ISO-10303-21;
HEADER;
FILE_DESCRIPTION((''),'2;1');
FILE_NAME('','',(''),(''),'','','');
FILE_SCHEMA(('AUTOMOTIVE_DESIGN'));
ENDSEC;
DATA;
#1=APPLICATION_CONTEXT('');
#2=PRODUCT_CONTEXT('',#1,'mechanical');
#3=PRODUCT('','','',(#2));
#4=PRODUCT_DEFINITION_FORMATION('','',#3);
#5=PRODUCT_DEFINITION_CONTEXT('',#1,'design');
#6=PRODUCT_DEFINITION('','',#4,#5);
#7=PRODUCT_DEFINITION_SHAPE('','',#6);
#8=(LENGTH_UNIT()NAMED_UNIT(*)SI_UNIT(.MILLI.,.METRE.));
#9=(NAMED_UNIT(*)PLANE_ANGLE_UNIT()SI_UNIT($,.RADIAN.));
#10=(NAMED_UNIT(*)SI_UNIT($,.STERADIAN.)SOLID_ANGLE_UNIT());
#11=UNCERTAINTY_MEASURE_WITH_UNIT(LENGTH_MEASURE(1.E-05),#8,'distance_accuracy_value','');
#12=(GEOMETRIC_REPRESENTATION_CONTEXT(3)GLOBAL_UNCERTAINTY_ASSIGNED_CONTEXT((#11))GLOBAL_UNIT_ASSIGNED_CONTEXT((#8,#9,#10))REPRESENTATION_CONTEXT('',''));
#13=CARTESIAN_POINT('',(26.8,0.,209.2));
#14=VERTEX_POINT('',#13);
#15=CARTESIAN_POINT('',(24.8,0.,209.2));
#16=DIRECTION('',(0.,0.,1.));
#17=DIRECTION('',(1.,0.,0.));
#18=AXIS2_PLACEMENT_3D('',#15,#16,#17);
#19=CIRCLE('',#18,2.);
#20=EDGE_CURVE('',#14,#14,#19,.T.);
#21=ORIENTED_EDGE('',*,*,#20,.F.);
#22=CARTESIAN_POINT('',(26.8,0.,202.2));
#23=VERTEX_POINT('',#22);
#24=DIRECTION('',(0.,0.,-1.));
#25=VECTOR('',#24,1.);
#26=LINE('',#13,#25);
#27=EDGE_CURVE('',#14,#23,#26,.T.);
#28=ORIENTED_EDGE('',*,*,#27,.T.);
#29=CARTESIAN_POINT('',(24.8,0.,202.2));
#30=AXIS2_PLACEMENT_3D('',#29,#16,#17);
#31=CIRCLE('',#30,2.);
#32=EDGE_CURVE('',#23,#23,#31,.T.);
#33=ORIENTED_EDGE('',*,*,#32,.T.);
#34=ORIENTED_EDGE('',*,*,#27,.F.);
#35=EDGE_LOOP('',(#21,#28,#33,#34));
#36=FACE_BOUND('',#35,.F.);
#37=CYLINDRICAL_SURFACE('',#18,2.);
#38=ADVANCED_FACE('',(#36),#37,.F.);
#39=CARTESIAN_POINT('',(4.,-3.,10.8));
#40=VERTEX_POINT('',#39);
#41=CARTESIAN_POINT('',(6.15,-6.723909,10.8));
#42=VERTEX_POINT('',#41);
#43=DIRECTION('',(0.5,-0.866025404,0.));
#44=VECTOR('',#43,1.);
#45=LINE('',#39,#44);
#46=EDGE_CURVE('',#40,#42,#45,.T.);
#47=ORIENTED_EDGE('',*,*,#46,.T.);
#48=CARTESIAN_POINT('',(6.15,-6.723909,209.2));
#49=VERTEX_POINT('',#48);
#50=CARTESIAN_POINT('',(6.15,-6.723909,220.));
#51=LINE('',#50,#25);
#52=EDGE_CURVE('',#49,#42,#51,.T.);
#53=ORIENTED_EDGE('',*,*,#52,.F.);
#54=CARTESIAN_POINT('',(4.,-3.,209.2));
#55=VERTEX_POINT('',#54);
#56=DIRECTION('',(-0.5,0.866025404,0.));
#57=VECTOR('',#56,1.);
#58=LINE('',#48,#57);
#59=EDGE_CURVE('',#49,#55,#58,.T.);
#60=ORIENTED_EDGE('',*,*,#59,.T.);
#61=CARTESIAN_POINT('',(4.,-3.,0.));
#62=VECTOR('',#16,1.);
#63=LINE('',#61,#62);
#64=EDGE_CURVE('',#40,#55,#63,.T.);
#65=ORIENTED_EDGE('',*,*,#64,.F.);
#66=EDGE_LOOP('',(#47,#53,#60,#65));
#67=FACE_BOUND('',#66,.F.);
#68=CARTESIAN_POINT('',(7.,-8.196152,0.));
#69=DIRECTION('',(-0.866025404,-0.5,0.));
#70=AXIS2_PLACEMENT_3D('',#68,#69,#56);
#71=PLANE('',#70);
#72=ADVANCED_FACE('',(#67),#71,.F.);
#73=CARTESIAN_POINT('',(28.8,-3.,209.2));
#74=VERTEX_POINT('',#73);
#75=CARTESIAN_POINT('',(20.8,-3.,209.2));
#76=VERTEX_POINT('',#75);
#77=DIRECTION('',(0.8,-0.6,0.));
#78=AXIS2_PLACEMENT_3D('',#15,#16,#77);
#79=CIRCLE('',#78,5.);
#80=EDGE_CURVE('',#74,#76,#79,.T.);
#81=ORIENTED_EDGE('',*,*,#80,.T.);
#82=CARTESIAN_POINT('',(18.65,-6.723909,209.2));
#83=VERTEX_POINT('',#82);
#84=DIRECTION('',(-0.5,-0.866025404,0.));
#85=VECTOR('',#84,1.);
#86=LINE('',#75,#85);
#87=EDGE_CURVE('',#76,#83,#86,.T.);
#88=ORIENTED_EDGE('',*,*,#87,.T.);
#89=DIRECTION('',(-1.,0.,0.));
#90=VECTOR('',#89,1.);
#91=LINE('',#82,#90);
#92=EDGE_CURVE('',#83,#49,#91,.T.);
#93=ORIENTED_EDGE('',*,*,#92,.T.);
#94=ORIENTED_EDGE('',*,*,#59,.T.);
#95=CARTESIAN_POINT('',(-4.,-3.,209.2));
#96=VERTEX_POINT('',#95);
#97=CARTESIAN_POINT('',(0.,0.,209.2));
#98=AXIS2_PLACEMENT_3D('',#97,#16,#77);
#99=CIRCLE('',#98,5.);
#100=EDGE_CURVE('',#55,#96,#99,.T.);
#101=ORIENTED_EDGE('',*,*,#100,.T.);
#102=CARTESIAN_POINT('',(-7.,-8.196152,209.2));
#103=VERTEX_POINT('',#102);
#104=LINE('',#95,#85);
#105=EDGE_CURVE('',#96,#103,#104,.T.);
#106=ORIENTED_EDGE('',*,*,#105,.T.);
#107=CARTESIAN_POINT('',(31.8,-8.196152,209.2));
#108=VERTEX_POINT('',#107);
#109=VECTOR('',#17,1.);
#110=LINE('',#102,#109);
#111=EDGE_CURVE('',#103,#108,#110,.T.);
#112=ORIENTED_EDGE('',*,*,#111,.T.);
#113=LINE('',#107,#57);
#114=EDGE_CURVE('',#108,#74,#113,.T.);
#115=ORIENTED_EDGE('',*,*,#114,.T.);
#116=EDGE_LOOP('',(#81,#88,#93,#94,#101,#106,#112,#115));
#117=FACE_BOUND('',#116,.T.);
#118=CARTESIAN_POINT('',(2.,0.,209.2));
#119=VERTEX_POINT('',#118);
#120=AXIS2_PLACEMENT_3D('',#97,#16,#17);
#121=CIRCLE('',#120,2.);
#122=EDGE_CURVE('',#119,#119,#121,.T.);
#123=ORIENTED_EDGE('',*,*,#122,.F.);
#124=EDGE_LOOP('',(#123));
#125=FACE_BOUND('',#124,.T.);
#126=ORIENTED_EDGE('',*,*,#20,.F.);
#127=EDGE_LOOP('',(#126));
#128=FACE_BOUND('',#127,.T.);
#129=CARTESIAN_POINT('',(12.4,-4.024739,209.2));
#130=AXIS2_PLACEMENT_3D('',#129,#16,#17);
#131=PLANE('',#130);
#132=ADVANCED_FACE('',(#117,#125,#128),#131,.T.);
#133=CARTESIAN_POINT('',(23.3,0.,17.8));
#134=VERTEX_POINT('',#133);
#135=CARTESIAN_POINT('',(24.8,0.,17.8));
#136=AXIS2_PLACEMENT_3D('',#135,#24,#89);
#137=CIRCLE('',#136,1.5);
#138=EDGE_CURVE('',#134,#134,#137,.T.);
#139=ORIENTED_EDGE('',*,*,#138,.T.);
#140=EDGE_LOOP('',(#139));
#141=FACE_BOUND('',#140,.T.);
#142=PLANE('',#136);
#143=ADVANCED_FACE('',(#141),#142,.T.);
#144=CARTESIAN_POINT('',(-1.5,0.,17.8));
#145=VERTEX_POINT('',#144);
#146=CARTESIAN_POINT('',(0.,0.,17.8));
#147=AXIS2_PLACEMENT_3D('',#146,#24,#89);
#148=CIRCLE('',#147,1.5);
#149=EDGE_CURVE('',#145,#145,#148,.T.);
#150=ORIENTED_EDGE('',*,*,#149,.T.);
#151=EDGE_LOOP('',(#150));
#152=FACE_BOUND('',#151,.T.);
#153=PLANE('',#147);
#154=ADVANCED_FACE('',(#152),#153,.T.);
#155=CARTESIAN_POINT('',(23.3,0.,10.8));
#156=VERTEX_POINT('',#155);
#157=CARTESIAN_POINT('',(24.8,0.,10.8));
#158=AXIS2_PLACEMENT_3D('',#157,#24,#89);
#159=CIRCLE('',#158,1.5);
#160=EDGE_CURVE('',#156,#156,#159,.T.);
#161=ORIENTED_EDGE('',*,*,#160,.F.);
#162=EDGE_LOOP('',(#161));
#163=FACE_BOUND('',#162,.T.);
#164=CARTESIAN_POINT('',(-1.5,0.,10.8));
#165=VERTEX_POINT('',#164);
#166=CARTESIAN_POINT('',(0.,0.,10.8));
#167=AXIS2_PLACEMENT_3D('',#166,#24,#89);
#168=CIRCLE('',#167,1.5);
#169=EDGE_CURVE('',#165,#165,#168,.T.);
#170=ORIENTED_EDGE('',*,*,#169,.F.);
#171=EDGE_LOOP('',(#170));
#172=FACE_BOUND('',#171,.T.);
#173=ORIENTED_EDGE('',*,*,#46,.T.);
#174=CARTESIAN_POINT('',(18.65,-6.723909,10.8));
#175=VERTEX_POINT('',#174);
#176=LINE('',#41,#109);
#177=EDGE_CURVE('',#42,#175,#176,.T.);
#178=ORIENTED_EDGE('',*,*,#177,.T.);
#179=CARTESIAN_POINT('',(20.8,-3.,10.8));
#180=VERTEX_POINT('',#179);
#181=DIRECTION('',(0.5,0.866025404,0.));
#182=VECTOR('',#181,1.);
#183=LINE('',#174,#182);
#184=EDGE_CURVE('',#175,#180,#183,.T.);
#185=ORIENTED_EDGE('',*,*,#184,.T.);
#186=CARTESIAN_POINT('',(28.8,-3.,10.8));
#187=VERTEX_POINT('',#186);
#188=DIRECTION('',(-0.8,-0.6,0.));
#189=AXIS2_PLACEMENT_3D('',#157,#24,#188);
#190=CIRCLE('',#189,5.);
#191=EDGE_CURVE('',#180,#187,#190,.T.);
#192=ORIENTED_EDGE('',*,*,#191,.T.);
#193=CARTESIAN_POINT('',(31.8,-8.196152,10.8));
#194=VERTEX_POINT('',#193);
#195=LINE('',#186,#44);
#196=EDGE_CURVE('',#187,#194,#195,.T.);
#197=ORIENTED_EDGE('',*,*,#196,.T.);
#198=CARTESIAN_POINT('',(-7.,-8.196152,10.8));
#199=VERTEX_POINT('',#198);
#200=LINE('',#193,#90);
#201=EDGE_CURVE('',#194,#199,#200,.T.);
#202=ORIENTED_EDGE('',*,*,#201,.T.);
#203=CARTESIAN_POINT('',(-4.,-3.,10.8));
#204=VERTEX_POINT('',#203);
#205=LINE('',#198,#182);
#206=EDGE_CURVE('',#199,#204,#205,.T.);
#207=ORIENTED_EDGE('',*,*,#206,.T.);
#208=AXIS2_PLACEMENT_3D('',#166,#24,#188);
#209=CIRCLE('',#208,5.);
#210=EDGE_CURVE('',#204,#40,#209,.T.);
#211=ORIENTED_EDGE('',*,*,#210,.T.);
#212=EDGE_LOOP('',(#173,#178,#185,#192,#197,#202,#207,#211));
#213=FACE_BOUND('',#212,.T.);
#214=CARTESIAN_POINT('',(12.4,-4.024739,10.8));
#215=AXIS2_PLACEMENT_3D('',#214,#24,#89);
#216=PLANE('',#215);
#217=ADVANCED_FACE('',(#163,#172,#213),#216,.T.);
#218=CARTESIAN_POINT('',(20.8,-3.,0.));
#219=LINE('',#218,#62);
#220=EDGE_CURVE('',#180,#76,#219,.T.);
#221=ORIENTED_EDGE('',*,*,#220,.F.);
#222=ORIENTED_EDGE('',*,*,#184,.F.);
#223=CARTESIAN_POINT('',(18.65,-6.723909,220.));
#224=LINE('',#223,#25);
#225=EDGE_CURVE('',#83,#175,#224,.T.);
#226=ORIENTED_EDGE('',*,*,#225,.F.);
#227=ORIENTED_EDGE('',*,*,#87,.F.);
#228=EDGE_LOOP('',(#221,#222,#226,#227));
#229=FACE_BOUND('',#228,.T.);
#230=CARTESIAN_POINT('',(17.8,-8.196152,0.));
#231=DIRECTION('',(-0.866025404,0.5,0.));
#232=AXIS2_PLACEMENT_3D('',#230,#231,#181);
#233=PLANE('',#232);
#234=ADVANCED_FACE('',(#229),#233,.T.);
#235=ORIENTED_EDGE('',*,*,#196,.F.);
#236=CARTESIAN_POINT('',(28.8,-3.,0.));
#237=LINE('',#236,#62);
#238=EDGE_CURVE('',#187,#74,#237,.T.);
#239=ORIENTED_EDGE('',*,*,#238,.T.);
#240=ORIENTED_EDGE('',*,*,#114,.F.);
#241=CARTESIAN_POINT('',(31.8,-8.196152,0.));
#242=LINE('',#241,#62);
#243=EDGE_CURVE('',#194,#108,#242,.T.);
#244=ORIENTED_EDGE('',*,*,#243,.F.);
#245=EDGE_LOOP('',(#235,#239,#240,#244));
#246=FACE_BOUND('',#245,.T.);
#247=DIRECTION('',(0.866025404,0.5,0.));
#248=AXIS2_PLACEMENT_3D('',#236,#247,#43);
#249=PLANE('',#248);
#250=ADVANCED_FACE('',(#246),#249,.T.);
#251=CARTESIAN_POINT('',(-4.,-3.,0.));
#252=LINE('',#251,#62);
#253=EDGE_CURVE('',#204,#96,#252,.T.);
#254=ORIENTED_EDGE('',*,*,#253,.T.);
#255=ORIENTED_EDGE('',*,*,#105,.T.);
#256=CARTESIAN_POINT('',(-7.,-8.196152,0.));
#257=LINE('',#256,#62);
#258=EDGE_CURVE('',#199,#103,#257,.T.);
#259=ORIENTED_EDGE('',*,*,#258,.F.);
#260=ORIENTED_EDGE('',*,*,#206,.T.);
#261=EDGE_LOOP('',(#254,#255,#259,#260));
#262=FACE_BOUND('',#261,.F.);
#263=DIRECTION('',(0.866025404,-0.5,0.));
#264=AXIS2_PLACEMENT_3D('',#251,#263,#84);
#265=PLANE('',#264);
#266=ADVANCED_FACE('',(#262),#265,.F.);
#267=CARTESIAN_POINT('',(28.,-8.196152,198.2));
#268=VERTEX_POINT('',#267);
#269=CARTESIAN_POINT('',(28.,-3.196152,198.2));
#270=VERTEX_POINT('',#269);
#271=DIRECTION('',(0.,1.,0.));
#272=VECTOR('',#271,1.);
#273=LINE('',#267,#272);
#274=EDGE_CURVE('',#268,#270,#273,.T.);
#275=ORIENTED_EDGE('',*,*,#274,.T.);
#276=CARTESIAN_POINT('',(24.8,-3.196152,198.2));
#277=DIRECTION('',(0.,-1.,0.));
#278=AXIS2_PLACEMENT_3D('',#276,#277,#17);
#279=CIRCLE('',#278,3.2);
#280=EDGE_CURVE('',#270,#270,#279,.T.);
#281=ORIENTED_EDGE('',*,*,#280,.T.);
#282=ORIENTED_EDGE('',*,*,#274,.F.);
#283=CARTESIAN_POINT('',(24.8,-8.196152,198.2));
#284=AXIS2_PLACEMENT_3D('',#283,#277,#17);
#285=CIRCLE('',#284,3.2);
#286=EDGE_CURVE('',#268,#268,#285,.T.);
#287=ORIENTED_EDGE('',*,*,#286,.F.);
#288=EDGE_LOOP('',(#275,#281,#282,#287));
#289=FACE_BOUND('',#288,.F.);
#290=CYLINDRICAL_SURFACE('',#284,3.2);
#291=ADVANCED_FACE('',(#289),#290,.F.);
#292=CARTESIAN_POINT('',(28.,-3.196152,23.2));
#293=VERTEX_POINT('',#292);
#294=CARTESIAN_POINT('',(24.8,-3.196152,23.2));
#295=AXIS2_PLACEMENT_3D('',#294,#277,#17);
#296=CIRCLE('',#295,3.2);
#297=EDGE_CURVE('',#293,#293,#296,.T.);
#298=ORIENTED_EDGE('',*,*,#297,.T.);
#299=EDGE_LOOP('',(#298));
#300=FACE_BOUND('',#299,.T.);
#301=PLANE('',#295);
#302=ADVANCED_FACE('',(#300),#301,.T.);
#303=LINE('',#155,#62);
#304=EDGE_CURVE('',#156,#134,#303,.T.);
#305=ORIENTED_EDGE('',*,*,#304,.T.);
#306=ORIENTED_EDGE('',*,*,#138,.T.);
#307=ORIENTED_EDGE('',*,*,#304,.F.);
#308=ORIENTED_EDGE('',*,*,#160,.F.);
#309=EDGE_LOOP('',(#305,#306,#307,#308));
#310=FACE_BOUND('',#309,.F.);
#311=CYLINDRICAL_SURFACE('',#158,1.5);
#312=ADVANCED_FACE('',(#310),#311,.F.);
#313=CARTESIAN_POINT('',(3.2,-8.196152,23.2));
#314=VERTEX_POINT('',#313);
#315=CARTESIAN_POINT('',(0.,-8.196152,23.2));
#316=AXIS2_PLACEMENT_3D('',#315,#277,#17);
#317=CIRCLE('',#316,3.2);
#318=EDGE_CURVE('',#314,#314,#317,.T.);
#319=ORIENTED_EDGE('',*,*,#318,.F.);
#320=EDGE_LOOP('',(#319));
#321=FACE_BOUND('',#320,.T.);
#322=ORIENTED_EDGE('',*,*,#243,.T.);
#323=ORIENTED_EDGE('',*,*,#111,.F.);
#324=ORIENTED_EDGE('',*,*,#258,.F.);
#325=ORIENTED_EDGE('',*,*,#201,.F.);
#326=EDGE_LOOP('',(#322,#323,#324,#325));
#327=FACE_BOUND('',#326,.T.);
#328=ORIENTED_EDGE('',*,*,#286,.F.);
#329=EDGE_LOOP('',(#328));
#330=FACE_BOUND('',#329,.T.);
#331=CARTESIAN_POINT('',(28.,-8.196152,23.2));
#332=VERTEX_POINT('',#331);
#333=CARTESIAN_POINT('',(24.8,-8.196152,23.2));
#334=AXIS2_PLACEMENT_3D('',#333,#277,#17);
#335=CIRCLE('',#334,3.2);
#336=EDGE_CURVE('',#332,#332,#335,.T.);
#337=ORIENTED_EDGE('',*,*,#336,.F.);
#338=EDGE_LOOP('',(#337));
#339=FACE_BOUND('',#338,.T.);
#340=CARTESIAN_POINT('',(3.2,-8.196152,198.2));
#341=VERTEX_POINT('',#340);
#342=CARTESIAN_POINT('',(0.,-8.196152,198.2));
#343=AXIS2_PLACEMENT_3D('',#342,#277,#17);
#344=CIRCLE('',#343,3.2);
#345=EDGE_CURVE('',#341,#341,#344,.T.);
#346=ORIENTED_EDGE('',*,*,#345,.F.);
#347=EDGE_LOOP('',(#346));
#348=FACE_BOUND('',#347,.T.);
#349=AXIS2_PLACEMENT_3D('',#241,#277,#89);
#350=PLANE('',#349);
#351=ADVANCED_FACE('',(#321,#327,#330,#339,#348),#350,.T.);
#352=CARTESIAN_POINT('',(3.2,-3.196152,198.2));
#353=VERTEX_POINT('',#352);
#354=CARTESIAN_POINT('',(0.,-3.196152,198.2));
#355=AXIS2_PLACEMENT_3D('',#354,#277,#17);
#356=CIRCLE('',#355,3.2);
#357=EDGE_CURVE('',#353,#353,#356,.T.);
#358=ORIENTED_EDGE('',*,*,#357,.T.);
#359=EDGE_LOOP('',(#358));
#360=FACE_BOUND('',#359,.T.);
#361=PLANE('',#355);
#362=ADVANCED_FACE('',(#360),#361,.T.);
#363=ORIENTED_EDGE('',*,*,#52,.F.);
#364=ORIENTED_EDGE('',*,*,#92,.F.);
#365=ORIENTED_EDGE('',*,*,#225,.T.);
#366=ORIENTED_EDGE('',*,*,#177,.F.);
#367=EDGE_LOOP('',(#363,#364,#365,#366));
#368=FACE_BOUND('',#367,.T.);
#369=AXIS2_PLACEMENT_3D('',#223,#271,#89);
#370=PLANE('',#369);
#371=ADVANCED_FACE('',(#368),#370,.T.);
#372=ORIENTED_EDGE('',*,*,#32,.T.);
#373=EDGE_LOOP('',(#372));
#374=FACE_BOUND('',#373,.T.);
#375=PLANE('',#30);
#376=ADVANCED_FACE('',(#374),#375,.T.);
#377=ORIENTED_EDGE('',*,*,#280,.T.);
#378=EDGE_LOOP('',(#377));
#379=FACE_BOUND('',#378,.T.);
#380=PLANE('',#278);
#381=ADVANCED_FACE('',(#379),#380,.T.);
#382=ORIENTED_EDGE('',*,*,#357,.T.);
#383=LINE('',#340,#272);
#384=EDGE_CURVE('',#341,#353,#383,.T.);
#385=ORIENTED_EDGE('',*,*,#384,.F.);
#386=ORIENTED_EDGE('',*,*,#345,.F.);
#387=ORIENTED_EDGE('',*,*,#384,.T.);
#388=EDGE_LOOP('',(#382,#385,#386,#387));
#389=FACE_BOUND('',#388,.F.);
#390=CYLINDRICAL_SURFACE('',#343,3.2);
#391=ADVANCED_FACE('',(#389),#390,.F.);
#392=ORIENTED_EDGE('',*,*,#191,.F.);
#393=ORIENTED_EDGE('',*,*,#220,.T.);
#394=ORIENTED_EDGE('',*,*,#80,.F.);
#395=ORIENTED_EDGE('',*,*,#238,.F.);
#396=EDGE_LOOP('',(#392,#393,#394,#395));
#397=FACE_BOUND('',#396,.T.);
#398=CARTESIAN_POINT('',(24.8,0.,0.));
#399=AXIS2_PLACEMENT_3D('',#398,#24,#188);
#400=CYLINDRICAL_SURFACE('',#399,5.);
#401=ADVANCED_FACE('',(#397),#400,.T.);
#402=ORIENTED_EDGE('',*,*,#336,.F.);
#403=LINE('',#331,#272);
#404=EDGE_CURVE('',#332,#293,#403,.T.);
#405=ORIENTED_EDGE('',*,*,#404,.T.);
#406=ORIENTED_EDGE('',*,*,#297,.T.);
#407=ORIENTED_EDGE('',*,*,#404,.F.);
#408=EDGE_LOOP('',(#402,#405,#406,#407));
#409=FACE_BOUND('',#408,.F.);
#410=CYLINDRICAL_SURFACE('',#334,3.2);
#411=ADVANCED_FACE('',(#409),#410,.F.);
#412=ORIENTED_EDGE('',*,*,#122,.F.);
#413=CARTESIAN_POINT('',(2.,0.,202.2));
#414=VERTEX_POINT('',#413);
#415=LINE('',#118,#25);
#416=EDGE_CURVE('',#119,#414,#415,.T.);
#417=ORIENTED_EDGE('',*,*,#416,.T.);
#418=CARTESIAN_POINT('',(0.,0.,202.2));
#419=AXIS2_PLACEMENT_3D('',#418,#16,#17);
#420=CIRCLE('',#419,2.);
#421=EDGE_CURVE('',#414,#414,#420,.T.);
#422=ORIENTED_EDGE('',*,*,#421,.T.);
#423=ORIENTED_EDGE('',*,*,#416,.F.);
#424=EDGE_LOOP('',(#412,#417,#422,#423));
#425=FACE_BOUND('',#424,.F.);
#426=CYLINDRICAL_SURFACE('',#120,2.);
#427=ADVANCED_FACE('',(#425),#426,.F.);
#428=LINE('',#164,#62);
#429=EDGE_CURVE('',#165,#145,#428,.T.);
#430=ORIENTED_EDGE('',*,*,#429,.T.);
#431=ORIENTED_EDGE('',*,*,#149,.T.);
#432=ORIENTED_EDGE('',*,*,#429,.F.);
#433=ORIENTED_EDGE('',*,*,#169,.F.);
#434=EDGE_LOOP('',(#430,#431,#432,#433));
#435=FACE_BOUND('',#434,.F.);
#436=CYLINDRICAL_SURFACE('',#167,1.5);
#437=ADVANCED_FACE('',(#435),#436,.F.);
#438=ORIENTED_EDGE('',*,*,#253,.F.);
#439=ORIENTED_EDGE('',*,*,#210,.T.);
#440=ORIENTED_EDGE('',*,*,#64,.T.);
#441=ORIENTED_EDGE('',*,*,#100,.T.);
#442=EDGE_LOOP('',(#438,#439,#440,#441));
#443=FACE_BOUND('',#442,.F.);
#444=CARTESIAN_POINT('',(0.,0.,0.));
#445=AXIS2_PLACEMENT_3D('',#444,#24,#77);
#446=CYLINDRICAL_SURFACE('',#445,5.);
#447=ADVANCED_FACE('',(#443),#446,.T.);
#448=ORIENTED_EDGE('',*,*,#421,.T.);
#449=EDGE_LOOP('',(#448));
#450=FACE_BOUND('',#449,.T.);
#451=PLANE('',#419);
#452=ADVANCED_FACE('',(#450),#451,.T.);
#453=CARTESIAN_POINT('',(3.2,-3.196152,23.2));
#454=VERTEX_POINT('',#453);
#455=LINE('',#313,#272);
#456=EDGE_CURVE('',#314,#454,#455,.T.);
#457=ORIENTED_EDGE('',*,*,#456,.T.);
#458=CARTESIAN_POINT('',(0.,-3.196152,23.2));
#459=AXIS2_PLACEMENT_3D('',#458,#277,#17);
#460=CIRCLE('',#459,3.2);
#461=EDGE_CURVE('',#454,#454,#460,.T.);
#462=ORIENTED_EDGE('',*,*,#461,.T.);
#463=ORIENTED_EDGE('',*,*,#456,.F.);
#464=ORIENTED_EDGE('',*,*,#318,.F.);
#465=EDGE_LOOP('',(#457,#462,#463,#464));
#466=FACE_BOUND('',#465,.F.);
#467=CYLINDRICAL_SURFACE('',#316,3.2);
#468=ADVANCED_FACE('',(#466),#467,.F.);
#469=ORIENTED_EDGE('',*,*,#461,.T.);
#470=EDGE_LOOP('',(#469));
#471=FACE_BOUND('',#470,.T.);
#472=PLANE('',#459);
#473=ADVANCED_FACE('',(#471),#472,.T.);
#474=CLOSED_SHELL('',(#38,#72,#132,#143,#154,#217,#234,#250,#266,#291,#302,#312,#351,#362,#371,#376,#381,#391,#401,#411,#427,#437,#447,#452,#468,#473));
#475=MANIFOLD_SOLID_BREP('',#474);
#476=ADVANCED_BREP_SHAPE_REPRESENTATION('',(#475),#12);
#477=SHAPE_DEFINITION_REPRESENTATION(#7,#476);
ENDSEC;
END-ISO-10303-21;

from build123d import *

# Parameters (mm, degrees)
SKETCH1_R           = 5
BOSS_EXTRUDE1_DEPTH = 220
BOSS_EXTRUDE4_DEPTH = 220
SKETCH5_R           = 1.37
CUT_EXTRUDE1_DEPTH  = 7
SKETCH6_R           = 1.37
CUT_EXTRUDE2_DEPTH  = 7
CUT_EXTRUDE4_DEPTH  = 10.8
CUT_EXTRUDE5_DEPTH  = 10.8
SKETCH11_R          = 2
CUT_EXTRUDE6_DEPTH  = 7
SKETCH12_R          = 1.5
CUT_EXTRUDE7_DEPTH  = 7
SKETCH4_R           = 3.2
CUT_EXTRUDE9_DEPTH  = 5


with BuildPart() as part:
    # Sketch1 → Boss-Extrude1 (new body)
    with BuildSketch(Plane.XY):
        Circle(SKETCH1_R)
        with BuildLine():
            Line((-4, -3), (-7, -8.196152423))
            Line((-7, -8.196152423), (7, -8.196152423))
            Line((7, -8.196152423), (4, -3))
            ThreePointArc((4, -3), (0, 5), (-4, -3))
        make_face()
        with BuildLine():
            Line((28.8, -3), (31.8, -8.196152423))
            Line((31.8, -8.196152423), (17.8, -8.196152423))
            Line((17.8, -8.196152423), (20.8, -3))
            ThreePointArc((20.8, -3), (24.8, 5), (28.8, -3))
        make_face()
    extrude(amount=BOSS_EXTRUDE1_DEPTH)

    # Sketch3 → Boss-Extrude4 (add)
    with BuildSketch(Plane.XY.offset(220)):
        Polygon((7, -8.196152423), (17.8, -8.196152423), (18.65, -8.196152423), (18.65, -6.723909236), (6.15, -6.723909236), (6.15, -8.196152423), align=None)
    extrude(amount=-BOSS_EXTRUDE4_DEPTH)

    # Sketch5 → Cut-Extrude1 (cut)
    with BuildSketch(Plane(origin=(0, 0, 0), x_dir=(-1, 0, 0), z_dir=(0, 0, -1))):
        Circle(SKETCH5_R)
        with Locations((-24.8, 0)):
            Circle(SKETCH5_R)
    extrude(amount=-CUT_EXTRUDE1_DEPTH, mode=Mode.SUBTRACT)

    # Sketch6 → Cut-Extrude2 (cut)
    with BuildSketch(Plane.XY.offset(220)):
        Circle(SKETCH6_R)
        with Locations((24.8, 0)):
            Circle(SKETCH6_R)
    extrude(amount=-CUT_EXTRUDE2_DEPTH, mode=Mode.SUBTRACT)

    # Sketch9 → Cut-Extrude4 (cut)
    with BuildSketch(Plane(origin=(0, 0, 0), x_dir=(-1, 0, 0), z_dir=(0, 0, -1))):
        with BuildLine():
            Line((-28.8, -3), (-31.8, -8.196152423))
            Line((-31.8, -8.196152423), (7, -8.196152423))
            Line((7, -8.196152423), (4, -3))
            ThreePointArc((4, -3), (0, 5), (-4, -3))
            Line((-4, -3), (-6.15, -6.723909236))
            Line((-6.15, -6.723909236), (-18.65, -6.723909236))
            Line((-18.65, -6.723909236), (-20.8, -3))
            ThreePointArc((-20.8, -3), (-24.8, 5), (-28.8, -3))
        make_face()
    extrude(amount=-CUT_EXTRUDE4_DEPTH, mode=Mode.SUBTRACT)

    # Sketch10 → Cut-Extrude5 (cut)
    with BuildSketch(Plane.XY.offset(220)):
        with BuildLine():
            Line((20.8, -3), (18.65, -6.723909236))
            Line((18.65, -6.723909236), (6.15, -6.723909236))
            Line((6.15, -6.723909236), (4, -3))
            ThreePointArc((4, -3), (0, 5), (-4, -3))
            Line((-4, -3), (-7, -8.196152423))
            Line((-7, -8.196152423), (31.8, -8.196152423))
            Line((31.8, -8.196152423), (28.8, -3))
            ThreePointArc((28.8, -3), (24.8, 5), (20.8, -3))
        make_face()
    extrude(amount=-CUT_EXTRUDE5_DEPTH, mode=Mode.SUBTRACT)

    # Sketch11 → Cut-Extrude6 (cut)
    with BuildSketch(Plane.XY.offset(209.2)):
        Circle(SKETCH11_R)
        with Locations((24.8, 0)):
            Circle(SKETCH11_R)
    extrude(amount=-CUT_EXTRUDE6_DEPTH, mode=Mode.SUBTRACT)

    # Sketch12 → Cut-Extrude7 (cut)
    with BuildSketch(Plane(origin=(0, 0, 10.8), x_dir=(-1, 0, 0), z_dir=(0, 0, -1))):
        Circle(SKETCH12_R)
        with Locations((-24.8, 0)):
            Circle(SKETCH12_R)
    extrude(amount=-CUT_EXTRUDE7_DEPTH, mode=Mode.SUBTRACT)

    # Sketch4 → Cut-Extrude9 (cut)
    with BuildSketch(Plane.XZ.offset(8.196152423)):
        with Locations((0, 23.2)):
            Circle(SKETCH4_R)
        with Locations((24.8, 23.2)):
            Circle(SKETCH4_R)
        with Locations((0, 198.2)):
            Circle(SKETCH4_R)
        with Locations((24.8, 198.2)):
            Circle(SKETCH4_R)
    extrude(amount=-CUT_EXTRUDE9_DEPTH, mode=Mode.SUBTRACT)


solid = part.part
